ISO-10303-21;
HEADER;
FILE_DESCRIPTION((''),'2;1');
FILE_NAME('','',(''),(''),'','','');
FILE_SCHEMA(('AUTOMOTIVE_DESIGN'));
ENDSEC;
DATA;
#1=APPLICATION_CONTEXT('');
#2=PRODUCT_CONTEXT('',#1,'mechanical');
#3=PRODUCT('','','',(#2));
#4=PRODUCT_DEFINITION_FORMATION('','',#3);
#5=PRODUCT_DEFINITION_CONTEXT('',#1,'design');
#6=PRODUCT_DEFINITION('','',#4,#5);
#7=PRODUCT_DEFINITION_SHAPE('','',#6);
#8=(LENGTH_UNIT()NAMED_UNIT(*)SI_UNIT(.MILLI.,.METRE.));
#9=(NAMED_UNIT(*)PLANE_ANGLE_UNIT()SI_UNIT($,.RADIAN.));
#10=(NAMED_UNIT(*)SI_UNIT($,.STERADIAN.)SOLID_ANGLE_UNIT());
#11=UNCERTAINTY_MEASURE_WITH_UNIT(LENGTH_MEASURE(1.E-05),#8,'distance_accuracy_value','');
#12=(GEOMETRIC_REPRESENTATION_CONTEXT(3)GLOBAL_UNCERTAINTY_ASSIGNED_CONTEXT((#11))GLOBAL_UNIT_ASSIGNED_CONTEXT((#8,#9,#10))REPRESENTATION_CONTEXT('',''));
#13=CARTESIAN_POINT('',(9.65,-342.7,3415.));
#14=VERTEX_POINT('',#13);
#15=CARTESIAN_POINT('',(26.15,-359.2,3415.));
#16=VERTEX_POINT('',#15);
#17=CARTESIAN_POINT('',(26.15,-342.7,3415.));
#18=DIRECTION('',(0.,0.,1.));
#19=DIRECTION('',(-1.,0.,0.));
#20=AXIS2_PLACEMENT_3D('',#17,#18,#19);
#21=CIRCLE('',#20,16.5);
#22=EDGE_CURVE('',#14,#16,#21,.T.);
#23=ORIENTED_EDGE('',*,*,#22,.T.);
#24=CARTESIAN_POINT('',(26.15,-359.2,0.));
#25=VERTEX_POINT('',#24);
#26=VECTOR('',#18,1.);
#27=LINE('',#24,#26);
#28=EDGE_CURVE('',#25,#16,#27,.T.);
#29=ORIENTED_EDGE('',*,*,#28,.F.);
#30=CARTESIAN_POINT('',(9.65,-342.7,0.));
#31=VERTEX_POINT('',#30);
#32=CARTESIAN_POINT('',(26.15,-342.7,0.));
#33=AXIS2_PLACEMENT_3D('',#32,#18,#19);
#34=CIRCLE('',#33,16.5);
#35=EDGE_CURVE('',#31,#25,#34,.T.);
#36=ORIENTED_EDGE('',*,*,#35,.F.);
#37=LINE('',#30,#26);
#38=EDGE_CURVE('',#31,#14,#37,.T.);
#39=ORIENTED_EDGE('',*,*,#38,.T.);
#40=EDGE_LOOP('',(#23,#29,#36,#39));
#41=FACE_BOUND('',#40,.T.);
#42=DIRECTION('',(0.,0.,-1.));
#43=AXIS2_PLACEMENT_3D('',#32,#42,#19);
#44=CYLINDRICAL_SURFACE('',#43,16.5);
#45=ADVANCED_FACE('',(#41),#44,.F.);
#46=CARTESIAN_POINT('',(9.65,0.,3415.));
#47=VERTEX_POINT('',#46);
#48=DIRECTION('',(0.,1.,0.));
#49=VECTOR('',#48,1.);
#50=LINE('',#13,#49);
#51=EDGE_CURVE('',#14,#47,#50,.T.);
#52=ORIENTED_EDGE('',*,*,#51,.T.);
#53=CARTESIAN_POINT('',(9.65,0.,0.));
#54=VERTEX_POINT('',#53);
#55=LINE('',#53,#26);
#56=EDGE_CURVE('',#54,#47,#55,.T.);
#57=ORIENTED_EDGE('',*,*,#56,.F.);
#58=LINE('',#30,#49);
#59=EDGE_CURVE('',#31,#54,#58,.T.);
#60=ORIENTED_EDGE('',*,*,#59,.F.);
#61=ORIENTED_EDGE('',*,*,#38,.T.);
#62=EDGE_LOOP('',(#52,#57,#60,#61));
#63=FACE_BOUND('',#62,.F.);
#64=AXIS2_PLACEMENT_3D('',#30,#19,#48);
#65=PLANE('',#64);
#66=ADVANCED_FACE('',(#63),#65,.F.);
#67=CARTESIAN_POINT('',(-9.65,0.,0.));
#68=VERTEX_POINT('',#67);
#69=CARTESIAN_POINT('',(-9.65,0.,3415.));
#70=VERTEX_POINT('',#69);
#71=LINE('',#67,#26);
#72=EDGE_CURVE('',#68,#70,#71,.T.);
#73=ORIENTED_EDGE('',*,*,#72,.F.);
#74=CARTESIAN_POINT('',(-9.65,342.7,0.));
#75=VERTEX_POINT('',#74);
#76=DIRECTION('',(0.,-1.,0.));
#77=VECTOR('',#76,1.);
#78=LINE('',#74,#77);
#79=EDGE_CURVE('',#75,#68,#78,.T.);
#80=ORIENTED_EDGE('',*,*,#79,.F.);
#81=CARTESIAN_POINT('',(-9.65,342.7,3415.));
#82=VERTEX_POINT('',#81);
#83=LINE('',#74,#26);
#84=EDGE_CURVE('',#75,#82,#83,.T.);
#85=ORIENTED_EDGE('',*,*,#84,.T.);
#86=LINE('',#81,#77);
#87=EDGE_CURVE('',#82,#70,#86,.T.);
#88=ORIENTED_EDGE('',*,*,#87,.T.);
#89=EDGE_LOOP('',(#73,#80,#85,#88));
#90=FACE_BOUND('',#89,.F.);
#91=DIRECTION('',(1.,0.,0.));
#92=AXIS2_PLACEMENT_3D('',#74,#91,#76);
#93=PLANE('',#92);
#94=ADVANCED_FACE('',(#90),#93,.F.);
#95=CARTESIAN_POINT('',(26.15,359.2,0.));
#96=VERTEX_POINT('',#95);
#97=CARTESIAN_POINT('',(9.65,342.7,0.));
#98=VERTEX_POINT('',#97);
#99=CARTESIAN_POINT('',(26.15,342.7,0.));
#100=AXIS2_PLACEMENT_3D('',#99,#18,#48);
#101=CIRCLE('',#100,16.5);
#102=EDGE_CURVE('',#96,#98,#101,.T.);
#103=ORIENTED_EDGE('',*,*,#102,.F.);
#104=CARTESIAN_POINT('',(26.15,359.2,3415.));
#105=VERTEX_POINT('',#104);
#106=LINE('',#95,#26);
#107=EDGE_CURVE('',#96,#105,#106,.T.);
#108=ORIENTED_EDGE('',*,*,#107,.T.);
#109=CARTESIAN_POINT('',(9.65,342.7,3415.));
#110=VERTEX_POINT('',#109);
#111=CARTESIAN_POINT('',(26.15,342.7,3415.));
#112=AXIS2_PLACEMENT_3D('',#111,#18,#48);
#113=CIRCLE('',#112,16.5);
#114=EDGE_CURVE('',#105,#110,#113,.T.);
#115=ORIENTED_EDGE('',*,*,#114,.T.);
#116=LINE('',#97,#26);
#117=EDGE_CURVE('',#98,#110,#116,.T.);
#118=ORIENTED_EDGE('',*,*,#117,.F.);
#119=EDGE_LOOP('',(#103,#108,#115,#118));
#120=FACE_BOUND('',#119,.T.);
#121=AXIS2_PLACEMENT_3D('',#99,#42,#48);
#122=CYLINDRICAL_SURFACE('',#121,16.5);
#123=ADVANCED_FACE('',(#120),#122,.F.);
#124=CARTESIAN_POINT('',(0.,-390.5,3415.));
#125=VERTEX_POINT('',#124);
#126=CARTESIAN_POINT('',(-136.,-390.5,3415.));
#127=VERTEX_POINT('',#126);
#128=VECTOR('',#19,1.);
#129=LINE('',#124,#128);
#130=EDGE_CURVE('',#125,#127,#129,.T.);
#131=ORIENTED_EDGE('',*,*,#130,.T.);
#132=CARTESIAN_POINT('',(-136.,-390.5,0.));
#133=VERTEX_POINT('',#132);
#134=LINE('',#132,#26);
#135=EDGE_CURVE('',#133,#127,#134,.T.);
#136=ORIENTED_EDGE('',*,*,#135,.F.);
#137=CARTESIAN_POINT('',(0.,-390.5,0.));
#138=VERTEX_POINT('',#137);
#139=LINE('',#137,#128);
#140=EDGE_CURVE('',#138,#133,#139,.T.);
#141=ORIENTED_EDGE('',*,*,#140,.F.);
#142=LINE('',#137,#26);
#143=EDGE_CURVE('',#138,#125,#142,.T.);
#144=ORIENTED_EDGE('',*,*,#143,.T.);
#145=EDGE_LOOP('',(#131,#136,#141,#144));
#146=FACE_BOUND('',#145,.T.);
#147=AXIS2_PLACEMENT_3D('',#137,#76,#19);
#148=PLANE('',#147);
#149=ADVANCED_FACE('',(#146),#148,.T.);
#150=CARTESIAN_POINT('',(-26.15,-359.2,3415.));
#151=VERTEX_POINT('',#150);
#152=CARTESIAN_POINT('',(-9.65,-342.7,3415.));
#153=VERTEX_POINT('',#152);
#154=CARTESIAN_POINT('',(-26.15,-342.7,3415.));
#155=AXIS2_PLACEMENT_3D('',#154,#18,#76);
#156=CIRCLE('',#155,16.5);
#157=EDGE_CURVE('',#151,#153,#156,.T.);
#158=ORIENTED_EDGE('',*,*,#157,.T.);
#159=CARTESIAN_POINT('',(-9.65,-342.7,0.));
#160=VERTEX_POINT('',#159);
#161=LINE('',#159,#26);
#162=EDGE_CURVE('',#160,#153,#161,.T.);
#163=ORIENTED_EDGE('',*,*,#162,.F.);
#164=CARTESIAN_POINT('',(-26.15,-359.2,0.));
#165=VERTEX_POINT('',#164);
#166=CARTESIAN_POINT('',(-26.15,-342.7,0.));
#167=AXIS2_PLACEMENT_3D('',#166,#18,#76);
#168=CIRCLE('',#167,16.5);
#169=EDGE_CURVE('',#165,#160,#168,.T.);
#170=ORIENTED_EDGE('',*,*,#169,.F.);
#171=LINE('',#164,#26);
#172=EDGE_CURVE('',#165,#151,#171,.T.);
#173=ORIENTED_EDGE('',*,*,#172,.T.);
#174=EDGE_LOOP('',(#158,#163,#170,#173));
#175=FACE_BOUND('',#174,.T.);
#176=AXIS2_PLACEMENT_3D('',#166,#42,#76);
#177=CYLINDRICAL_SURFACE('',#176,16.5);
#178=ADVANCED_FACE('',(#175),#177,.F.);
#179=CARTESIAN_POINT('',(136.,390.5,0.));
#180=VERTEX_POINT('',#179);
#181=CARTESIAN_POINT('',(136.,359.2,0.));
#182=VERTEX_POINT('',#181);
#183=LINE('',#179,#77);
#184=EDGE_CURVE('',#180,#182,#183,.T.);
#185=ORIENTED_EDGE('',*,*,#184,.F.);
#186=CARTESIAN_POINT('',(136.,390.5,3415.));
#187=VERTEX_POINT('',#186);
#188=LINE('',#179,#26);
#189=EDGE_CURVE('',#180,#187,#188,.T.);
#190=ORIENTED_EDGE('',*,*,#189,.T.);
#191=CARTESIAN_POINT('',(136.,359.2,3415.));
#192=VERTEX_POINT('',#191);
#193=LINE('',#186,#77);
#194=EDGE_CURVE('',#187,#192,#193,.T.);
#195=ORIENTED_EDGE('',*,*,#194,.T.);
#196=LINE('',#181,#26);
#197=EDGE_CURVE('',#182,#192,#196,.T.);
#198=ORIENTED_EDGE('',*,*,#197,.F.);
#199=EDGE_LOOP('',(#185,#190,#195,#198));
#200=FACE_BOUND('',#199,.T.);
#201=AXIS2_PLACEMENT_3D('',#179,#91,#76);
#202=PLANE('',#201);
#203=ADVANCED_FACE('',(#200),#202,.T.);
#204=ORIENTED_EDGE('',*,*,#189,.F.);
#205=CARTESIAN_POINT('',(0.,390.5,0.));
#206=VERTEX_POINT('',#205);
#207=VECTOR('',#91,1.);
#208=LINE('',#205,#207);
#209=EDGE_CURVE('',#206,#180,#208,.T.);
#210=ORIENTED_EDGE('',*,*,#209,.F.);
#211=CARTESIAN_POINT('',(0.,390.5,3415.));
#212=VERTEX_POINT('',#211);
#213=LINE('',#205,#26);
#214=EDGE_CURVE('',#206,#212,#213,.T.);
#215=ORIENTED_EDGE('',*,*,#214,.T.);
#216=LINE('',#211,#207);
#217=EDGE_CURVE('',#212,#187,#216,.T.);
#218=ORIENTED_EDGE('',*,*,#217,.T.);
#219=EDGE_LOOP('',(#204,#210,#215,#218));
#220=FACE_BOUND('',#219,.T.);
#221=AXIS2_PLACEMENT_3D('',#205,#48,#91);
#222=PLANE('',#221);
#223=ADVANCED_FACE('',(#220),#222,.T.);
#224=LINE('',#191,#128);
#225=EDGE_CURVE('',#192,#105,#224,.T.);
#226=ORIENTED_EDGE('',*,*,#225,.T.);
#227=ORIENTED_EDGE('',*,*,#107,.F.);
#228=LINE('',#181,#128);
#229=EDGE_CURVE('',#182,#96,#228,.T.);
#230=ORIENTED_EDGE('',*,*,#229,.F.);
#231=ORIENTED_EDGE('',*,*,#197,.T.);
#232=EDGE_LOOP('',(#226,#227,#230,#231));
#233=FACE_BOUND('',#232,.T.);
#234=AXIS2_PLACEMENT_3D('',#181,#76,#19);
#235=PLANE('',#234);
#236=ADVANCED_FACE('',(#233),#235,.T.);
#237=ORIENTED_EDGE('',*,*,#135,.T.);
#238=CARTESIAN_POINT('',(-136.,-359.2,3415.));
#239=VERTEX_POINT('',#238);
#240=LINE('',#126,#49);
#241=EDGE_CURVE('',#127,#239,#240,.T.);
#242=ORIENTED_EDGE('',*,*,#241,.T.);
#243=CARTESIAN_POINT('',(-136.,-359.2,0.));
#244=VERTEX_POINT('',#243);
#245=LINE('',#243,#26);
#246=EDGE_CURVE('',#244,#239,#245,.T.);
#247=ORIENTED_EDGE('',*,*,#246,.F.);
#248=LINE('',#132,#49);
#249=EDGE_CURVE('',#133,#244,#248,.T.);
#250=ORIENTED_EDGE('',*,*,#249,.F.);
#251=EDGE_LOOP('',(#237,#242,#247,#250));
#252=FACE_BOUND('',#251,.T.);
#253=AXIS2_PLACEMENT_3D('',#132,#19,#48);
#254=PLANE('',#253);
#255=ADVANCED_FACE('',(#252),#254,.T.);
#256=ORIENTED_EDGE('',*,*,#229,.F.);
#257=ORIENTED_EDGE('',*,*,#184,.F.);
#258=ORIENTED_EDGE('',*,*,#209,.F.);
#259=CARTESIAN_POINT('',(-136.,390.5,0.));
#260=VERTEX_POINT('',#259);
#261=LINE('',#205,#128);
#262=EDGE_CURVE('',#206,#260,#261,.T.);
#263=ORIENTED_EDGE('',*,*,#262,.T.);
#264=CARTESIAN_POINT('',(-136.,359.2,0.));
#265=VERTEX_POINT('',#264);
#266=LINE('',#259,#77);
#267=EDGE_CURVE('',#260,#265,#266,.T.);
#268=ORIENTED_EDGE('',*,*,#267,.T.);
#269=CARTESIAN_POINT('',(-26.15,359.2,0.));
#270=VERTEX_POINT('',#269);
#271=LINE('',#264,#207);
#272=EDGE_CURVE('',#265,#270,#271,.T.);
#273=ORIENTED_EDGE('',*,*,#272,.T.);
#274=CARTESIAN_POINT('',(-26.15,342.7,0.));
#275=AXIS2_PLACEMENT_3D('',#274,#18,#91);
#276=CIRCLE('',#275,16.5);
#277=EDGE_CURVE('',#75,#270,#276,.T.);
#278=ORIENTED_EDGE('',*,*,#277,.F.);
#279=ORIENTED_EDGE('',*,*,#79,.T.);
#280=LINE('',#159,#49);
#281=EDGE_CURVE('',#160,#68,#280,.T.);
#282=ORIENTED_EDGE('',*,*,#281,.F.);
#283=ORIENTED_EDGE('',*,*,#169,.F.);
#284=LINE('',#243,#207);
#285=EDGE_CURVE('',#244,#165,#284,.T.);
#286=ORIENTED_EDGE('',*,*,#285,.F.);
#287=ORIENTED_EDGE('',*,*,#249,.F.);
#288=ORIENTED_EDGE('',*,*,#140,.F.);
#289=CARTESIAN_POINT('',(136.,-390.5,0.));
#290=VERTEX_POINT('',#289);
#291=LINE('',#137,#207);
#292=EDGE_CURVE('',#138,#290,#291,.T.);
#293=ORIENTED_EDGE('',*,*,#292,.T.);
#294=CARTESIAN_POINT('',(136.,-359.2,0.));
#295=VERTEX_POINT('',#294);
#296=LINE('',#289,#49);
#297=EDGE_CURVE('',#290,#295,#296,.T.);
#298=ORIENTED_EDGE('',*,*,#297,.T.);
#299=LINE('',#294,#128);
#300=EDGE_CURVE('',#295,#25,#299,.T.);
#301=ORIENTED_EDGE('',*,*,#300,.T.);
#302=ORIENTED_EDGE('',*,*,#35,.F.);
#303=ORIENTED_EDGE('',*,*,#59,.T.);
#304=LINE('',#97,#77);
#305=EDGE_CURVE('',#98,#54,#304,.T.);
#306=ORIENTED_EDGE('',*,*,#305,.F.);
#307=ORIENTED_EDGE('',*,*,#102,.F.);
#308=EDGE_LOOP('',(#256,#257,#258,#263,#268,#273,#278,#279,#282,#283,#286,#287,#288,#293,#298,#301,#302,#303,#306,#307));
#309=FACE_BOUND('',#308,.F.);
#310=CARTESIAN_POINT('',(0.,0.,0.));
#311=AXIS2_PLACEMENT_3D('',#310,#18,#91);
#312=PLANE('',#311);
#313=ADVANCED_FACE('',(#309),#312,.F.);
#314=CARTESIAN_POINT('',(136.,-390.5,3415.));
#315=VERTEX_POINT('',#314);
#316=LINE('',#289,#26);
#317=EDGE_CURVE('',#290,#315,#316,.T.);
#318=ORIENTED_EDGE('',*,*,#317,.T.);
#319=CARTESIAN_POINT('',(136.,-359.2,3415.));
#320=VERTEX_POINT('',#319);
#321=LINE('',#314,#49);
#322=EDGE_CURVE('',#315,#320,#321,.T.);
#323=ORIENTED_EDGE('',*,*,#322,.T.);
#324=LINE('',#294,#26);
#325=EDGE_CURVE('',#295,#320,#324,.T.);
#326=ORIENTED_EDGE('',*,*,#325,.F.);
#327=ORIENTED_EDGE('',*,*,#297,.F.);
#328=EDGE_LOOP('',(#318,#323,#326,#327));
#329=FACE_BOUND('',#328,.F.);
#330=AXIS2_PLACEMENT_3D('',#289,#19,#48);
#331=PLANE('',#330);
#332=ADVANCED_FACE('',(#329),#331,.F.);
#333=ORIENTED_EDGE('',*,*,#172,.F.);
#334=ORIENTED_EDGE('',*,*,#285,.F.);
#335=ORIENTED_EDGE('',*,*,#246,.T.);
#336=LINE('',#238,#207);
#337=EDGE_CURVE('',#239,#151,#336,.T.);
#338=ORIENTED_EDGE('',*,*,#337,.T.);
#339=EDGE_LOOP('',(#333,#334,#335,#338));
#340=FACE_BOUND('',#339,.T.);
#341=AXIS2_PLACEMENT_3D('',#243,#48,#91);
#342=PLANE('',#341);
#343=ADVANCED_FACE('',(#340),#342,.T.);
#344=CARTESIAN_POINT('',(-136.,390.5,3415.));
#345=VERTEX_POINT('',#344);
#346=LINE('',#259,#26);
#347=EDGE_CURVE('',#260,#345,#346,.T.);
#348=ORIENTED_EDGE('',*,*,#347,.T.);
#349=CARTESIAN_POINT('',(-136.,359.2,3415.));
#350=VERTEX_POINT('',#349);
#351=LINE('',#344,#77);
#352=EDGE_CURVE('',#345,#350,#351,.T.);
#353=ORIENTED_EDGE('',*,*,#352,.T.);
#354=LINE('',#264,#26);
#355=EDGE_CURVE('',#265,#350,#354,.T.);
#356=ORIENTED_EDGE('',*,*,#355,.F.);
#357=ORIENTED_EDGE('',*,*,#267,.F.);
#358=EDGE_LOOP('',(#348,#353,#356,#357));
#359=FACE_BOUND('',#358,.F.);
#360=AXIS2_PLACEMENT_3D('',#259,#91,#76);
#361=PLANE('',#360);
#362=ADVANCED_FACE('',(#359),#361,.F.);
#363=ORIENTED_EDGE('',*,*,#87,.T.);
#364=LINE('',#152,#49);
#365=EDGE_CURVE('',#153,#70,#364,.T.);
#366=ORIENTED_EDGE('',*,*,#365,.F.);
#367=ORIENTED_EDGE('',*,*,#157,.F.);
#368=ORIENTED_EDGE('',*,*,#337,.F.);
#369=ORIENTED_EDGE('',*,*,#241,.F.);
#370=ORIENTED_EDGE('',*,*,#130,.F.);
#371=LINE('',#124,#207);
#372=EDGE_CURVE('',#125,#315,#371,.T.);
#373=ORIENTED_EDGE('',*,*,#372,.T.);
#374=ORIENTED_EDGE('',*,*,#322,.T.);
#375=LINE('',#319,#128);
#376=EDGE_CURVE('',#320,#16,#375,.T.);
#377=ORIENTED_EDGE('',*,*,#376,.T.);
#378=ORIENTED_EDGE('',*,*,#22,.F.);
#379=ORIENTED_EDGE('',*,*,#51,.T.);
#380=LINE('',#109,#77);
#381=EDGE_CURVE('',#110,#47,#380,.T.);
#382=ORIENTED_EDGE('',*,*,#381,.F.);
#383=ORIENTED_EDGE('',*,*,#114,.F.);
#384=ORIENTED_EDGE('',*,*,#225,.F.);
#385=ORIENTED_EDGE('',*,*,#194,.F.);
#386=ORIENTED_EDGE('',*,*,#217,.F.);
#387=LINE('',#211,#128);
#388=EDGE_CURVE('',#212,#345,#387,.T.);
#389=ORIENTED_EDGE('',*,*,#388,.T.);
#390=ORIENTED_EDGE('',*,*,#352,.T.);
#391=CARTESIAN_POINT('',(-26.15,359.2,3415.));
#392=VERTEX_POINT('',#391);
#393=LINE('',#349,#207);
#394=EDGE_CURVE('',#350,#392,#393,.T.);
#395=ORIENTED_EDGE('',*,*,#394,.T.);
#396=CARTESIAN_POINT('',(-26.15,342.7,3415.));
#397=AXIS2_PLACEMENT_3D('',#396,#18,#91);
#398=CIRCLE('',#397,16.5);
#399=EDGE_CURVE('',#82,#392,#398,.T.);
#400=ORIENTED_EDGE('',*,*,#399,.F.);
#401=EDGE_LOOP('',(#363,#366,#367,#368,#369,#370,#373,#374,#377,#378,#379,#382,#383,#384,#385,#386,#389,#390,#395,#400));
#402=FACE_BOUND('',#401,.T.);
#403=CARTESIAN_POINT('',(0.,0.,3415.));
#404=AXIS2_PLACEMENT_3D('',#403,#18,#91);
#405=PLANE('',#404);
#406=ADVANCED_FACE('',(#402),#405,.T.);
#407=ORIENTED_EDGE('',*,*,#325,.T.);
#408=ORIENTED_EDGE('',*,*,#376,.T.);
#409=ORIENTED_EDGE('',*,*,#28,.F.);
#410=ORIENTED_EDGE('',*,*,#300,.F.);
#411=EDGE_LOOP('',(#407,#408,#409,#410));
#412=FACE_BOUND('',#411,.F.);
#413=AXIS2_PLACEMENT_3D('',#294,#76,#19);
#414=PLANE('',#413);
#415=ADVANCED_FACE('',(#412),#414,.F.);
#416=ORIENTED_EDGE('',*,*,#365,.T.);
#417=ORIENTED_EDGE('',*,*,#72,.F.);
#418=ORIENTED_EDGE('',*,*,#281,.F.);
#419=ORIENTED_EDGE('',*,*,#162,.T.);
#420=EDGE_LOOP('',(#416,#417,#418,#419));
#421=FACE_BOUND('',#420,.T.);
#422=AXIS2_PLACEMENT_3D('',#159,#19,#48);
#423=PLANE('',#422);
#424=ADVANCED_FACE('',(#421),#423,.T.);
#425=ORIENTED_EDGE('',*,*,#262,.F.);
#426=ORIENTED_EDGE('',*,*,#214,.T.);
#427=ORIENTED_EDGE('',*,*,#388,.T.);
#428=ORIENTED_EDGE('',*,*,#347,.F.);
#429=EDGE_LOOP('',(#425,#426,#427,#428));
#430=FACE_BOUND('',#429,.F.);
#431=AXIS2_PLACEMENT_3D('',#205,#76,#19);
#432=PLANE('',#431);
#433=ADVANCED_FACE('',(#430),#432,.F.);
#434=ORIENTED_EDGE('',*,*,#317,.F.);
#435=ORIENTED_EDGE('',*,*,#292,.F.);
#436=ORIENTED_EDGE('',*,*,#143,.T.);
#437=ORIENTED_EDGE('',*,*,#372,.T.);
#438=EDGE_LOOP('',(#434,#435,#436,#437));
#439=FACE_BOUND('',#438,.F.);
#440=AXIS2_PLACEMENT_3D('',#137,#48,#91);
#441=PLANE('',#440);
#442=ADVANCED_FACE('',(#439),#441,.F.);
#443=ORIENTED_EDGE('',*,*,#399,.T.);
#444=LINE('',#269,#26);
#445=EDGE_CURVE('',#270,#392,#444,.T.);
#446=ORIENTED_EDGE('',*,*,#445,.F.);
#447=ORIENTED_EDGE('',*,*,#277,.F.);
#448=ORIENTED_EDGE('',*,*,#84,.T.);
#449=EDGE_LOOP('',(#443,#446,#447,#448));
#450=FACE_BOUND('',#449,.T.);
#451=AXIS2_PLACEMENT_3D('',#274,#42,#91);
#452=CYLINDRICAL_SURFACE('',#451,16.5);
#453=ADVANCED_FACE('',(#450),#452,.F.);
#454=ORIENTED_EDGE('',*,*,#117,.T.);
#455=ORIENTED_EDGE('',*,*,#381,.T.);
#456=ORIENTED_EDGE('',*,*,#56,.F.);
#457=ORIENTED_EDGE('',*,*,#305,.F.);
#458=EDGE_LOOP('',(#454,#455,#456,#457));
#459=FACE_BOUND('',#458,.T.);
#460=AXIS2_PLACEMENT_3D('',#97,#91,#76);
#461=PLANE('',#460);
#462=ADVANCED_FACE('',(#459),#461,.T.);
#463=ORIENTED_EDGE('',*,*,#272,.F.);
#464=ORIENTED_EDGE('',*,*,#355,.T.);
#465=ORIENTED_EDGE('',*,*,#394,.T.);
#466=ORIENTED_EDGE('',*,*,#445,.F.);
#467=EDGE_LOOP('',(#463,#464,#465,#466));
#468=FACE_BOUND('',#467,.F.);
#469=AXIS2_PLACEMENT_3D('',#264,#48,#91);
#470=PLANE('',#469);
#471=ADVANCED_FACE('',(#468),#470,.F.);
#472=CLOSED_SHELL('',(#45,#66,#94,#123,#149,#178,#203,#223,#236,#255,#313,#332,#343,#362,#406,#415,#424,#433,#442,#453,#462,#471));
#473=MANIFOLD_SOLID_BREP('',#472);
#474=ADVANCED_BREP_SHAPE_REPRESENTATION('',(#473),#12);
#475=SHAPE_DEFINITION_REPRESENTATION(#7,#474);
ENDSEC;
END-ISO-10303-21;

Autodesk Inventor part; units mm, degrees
ref_plane "YZ Plane" through (0, 0, 0) normal (1, 0, 0) x (0, 1, 0)
ref_plane "Start plane" through (0, 0, 0) normal (0, 0, 1) x (1, 0, 0)
ref_plane "End plane" through (0, 0, 3415) normal (0, 0, 1) x (1, 0, 0)
sketch "Sketch" plane through (0, 0, 0) normal (0, 0, 1) x (1, 0, 0)
  line L0 (-136, -390.5) -> (-136, -359.2)
  line L1 (-136, -359.2) -> (-26.15, -359.2)
  line L2 (-9.65, -342.7) -> (-9.65, 0)
  line L3 (-9.65, 0) -> (0, 0) construction
  line L4 (0, 0) -> (0, -390.5) construction
  line L5 (0, -390.5) -> (-136, -390.5)
  line L6 (-60, 0) -> (80, 0) construction
  line L7 (0, -60) -> (0, 80) construction
  line L8 (136, -390.5) -> (136, -359.2)
  line L9 (136, -359.2) -> (26.15, -359.2)
  line L10 (9.65, -342.7) -> (9.65, 0)
  line L11 (9.65, 0) -> (0, 0) construction
  line L12 (0, -390.5) -> (136, -390.5)
  line L13 (-136, 390.5) -> (-136, 359.2)
  line L14 (-136, 359.2) -> (-26.15, 359.2)
  line L15 (-9.65, 342.7) -> (-9.65, 0)
  line L16 (0, 390.5) -> (-136, 390.5)
  line L17 (136, 390.5) -> (136, 359.2)
  line L18 (136, 359.2) -> (26.15, 359.2)
  line L19 (0, 390.5) -> (136, 390.5)
  line L20 (9.65, 342.7) -> (9.65, 0)
  arc A0 (-9.65, 342.7) -> (-26.15, 359.2) centre (-26.15, 342.7) ccw
  arc A1 (26.15, 359.2) -> (9.65, 342.7) centre (26.15, 342.7) ccw
  arc A2 (9.65, -342.7) -> (26.15, -359.2) centre (26.15, -342.7) ccw
  arc A3 (-26.15, -359.2) -> (-9.65, -342.7) centre (-26.15, -342.7) ccw
  line L21 (0, 108) -> (0, -88) construction
  line L22 (-88, 0) -> (108, 0) construction
  point P0 (-9.65, -359.2)
  point P1 (9.65, -359.2)
  point P2 (-9.65, 359.2)
  point P3 (9.65, 359.2)
  dimension "d1" = 390.5
  dimension "d2" = 31.3
  dimension "d3" = 136
  dimension "d4" = 9.65
  dimension "d10" = 16.5
extrude "Body" add sketch "Sketch" along normal up to surface (3415 mm away) from surface at 0
sketch "Sketch4" plane through (0, 0, 0) normal (0, 0, 1) x (1, 0, 0)
  line L0 (0, 0) -> (10, 0)
ref_plane "Work Plane3" through (0, 0, 0) normal (0, -1, 0) x (1, 0, 0)
sketch "Sketch5" plane through (0, 0, 0) normal (0, -1, 0) x (1, 0, 0)
  line L0 (-2, 0) -> (12, 0) projected
  line L1 (-2, 3415) -> (12, 3415) projected
  dimension "d14" = 3415
equation "\"d1\" = 0.5 * G_H"
equation "\"d2\" = G_T1"
equation "\"d3\" = 0.5 * G_W"
equation "\"d4\" = 0.5 * G_T"
equation "\"d10\" = G_IR"
equation "\"d5\" = G_L"
equation "\"G_W\" = 272"
equation "\"G_H\" = 781"
equation "\"G_T\" = 19.3"
equation "\"G_T1\" = 31.3"
equation "\"G_IR\" = 16.5"
equation "\"G_L\" = d14"
equation "\"G_OFFSET_START\" = 0"
equation "\"G_OFFSET_END\" = 0"
equation "\"d12\" = G_OFFSET_END + B_L"
equation "\"B_L\" = 3415"
properties part number "AS 3679-1990 - 760 UB - 244 - 3415" material "Steel, Mild"
